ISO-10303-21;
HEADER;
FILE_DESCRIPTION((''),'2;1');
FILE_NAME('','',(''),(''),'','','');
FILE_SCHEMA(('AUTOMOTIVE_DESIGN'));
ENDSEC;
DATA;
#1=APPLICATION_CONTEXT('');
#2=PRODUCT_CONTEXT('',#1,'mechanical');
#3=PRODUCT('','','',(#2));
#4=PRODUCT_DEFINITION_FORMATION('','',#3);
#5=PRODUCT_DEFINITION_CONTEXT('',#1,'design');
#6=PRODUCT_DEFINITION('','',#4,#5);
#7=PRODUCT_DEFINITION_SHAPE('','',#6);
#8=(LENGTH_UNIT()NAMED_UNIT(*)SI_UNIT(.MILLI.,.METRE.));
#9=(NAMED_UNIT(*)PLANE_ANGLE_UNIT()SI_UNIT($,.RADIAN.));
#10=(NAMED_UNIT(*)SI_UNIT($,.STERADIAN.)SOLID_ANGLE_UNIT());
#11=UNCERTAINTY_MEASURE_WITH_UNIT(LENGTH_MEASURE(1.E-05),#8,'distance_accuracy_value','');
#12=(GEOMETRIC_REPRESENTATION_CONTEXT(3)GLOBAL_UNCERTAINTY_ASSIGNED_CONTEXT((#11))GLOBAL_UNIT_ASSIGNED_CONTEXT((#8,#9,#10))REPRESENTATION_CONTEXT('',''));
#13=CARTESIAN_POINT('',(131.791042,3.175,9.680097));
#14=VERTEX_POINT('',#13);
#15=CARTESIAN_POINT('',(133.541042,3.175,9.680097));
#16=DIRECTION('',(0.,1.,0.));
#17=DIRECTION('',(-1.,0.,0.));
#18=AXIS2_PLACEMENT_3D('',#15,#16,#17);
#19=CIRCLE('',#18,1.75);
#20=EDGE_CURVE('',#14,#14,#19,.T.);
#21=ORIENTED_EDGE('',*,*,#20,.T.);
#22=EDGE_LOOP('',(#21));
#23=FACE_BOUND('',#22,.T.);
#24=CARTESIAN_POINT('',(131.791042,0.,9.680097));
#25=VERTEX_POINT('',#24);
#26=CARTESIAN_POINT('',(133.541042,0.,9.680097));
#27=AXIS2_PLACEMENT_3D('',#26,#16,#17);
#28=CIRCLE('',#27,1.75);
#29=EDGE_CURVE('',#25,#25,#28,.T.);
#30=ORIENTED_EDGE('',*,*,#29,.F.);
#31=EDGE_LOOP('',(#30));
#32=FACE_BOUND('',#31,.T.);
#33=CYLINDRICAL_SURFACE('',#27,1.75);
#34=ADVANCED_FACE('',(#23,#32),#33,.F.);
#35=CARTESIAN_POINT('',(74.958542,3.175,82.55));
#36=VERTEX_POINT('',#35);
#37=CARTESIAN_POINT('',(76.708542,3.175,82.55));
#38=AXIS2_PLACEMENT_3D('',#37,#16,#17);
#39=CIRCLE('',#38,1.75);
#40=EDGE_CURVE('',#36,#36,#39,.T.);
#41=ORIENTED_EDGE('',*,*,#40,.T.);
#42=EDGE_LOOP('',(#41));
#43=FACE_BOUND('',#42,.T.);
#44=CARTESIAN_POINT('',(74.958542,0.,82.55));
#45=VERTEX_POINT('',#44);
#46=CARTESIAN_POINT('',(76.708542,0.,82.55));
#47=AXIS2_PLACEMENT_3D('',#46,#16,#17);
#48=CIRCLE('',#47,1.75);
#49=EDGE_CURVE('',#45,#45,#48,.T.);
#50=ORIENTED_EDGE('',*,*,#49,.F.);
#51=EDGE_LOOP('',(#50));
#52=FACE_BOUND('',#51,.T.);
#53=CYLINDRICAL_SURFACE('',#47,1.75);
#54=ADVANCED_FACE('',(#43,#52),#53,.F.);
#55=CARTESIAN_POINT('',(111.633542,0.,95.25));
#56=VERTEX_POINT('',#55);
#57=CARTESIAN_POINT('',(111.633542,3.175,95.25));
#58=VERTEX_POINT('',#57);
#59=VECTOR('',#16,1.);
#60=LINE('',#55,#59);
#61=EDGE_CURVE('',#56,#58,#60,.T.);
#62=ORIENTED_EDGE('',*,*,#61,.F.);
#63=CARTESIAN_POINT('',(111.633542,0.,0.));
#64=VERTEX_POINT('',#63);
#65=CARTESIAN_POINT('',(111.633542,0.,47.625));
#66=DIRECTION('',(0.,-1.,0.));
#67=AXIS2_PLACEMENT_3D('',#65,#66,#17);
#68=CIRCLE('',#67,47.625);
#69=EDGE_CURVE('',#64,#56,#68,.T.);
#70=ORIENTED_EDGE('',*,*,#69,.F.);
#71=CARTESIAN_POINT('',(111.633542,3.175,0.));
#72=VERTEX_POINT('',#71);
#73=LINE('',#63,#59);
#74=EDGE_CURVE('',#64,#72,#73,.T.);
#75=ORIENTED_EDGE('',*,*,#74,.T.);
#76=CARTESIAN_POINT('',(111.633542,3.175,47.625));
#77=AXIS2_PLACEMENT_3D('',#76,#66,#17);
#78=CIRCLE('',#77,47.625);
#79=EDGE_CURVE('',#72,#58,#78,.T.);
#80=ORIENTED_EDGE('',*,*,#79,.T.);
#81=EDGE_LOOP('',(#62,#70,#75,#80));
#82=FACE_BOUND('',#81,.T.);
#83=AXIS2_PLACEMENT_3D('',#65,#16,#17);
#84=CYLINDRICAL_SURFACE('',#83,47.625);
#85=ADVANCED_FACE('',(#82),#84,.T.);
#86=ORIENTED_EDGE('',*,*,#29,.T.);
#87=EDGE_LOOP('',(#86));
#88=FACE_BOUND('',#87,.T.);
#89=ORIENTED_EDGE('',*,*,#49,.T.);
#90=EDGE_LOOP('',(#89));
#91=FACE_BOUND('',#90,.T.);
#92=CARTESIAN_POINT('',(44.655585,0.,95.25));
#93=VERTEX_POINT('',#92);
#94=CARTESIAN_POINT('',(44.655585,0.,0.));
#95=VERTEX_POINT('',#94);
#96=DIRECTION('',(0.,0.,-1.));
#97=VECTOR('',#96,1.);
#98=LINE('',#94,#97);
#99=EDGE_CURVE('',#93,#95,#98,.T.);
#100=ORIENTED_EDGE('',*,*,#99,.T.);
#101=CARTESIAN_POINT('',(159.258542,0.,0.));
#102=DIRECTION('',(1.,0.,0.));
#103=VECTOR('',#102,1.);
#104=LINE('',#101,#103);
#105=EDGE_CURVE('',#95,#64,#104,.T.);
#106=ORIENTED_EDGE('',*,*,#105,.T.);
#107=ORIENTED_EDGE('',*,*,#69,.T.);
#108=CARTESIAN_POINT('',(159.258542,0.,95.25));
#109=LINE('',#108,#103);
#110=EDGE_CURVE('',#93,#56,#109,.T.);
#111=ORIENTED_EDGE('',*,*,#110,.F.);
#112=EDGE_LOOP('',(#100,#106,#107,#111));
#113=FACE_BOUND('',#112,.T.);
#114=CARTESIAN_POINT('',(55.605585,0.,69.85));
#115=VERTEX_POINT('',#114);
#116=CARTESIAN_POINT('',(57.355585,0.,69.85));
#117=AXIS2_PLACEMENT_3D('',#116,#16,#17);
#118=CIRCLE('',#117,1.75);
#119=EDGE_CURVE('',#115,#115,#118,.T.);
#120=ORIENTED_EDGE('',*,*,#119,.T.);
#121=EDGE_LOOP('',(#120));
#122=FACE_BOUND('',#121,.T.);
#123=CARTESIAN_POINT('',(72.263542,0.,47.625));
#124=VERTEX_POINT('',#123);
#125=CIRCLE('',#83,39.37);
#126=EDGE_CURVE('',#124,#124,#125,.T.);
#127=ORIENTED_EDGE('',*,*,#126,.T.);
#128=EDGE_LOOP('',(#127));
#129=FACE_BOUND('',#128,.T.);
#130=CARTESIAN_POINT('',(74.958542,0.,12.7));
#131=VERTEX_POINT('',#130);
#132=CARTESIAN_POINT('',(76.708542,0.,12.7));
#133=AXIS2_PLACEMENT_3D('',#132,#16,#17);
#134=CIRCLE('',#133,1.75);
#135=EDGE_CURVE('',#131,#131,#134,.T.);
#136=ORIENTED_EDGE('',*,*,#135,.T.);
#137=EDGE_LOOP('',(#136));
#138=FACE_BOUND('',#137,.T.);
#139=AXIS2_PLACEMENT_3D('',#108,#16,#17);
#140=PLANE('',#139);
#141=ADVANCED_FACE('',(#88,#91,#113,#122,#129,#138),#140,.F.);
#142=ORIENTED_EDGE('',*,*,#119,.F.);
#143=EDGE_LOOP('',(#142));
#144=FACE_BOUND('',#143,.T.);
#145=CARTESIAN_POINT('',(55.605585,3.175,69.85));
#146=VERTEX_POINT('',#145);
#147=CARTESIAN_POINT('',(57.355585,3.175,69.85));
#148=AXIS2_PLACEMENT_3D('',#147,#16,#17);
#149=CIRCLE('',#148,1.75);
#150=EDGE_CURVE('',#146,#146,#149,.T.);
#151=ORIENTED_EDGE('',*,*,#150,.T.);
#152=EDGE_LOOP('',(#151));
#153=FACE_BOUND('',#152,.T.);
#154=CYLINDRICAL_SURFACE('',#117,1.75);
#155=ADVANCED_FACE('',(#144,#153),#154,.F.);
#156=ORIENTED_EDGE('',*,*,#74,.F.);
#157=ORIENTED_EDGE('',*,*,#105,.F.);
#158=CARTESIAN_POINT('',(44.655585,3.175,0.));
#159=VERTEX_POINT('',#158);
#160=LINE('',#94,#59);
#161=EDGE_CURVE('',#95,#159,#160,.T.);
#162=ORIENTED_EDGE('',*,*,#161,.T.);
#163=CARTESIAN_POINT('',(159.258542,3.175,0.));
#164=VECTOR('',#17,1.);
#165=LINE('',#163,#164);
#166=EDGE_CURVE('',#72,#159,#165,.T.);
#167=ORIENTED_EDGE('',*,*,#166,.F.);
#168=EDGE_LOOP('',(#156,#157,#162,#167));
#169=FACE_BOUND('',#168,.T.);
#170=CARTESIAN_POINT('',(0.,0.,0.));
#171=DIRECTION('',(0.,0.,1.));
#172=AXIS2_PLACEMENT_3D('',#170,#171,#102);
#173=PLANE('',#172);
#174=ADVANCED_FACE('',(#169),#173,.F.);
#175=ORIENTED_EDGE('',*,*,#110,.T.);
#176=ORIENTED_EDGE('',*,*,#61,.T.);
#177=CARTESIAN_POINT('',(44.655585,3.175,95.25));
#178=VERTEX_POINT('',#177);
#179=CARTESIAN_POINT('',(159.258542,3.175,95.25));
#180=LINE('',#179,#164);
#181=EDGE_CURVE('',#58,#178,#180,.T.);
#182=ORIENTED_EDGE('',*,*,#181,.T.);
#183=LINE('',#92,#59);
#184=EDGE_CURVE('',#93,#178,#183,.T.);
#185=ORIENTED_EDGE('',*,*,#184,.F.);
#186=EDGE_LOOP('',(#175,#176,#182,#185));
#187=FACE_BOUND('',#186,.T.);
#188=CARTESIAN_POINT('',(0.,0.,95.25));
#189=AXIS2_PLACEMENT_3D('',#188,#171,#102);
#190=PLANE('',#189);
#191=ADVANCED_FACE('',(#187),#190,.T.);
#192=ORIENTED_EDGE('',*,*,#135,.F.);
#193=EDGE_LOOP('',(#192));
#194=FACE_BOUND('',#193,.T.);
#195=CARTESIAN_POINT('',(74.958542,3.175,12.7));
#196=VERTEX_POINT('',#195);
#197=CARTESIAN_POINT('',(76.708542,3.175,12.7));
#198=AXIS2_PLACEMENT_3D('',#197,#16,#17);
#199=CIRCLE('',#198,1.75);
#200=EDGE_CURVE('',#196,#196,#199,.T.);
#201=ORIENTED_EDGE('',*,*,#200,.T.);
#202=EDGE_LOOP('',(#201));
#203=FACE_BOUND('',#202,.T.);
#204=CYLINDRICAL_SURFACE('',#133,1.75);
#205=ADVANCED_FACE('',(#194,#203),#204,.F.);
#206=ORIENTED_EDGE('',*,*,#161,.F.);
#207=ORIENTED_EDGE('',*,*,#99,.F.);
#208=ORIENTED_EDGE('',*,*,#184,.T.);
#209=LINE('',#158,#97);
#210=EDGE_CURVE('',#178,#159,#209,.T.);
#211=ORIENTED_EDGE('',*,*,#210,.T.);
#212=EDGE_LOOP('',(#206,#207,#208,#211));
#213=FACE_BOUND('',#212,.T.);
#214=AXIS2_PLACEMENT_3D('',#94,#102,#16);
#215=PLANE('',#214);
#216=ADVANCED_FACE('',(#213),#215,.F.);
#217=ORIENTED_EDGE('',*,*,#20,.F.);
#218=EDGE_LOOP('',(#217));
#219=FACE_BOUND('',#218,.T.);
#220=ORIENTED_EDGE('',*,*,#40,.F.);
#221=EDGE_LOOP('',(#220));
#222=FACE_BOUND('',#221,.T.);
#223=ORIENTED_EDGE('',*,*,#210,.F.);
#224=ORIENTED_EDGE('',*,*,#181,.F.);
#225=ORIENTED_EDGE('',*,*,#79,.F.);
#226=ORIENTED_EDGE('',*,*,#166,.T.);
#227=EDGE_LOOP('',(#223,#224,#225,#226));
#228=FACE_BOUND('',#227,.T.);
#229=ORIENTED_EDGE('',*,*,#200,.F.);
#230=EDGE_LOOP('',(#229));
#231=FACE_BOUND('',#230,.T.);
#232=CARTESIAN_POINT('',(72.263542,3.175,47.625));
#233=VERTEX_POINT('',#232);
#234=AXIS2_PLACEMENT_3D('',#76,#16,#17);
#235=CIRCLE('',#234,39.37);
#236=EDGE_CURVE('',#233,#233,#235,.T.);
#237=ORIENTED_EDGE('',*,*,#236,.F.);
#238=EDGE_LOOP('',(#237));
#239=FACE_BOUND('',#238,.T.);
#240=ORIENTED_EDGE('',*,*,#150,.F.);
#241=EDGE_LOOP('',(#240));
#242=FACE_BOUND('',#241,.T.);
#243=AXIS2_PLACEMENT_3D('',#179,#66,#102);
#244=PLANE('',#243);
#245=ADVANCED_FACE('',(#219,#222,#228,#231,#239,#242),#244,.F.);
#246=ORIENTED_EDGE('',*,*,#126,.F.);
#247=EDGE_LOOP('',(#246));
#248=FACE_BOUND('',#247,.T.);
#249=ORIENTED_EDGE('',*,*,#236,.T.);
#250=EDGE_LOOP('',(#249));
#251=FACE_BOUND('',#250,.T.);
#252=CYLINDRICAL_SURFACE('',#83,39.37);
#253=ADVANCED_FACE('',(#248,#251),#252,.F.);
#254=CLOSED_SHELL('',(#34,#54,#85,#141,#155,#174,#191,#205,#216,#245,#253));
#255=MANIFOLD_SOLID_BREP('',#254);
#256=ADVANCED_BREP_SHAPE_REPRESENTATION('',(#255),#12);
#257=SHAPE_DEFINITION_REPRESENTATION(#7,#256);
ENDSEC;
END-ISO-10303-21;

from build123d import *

# Parameters (mm, degrees)
SKETCH2_W           = 120.952956328
SKETCH2_H           = 3.175
BOSS_EXTRUDE1_DEPTH = 95.25
SKETCH3_R           = 39.37
CUT_EXTRUDE2_DEPTH  = 4.175
CUT_EXTRUDE3_DEPTH  = 4.175
SKETCH8_R           = 1.75
CUT_EXTRUDE7_DEPTH  = 4.175
SKETCH10_R          = 1.75
CUT_EXTRUDE9_DEPTH  = 4.175
SKETCH11_W          = 6.35
SKETCH11_H          = 95.25
CUT_EXTRUDE10_DEPTH = 4.175
SKETCH12_R          = 1.75
CUT_EXTRUDE11_DEPTH = 4.175


with BuildPart() as part:
    # Sketch2 → Boss-Extrude1 (new body)
    with BuildSketch(Plane.XY):
        with Locations((98.782063621, 1.5875)):
            Rectangle(SKETCH2_W, SKETCH2_H)
    extrude(amount=BOSS_EXTRUDE1_DEPTH)

    # Sketch3 → Cut-Extrude2 (cut, through all)
    with BuildSketch(Plane(origin=(0, 3.175, 0), x_dir=(1, 0, 0), z_dir=(0, 1, 0))):
        with Locations((111.633541785, -47.625)):
            Circle(SKETCH3_R)
    extrude(amount=-CUT_EXTRUDE2_DEPTH, mode=Mode.SUBTRACT)

    # Sketch4 → Cut-Extrude3 (cut, through all)
    with BuildSketch(Plane(origin=(0, 3.175, 0), x_dir=(1, 0, 0), z_dir=(0, 1, 0))):
        with BuildLine():
            Line((111.633541785, -95.25), (179.051442703, -95.25))
            Line((179.051442703, -95.25), (179.051442703, 0))
            Line((179.051442703, 0), (111.633541785, 0))
            ThreePointArc((111.633541785, 0), (159.258541785, -47.625), (111.633541785, -95.25))
        make_face()
    extrude(amount=-CUT_EXTRUDE3_DEPTH, mode=Mode.SUBTRACT)

    # Sketch8 → Cut-Extrude7 (cut, through all)
    with BuildSketch(Plane(origin=(0, 3.175, 0), x_dir=(1, 0, 0), z_dir=(0, 1, 0))):
        with Locations((76.708541785, -12.7)):
            Circle(SKETCH8_R)
        with Locations((76.708541785, -82.55)):
            Circle(SKETCH8_R)
    extrude(amount=-CUT_EXTRUDE7_DEPTH, mode=Mode.SUBTRACT)

    # Sketch10 → Cut-Extrude9 (cut, through all)
    with BuildSketch(Plane(origin=(0, 3.175, 0), x_dir=(1, 0, 0), z_dir=(0, 1, 0))):
        with Locations((133.541041785, -9.680096933)):
            Circle(SKETCH10_R)
    extrude(amount=-CUT_EXTRUDE9_DEPTH, mode=Mode.SUBTRACT)

    # Sketch11 → Cut-Extrude10 (cut, through all)
    with BuildSketch(Plane(origin=(0, 3.175, 0), x_dir=(1, 0, 0), z_dir=(0, 1, 0))):
        with Locations((41.480585457, -47.625)):
            Rectangle(SKETCH11_W, SKETCH11_H)
    extrude(amount=-CUT_EXTRUDE10_DEPTH, mode=Mode.SUBTRACT)

    # Sketch12 → Cut-Extrude11 (cut, through all)
    with BuildSketch(Plane(origin=(0, 3.175, 0), x_dir=(1, 0, 0), z_dir=(0, 1, 0))):
        with Locations((57.355585457, -69.85)):
            Circle(SKETCH12_R)
    extrude(amount=-CUT_EXTRUDE11_DEPTH, mode=Mode.SUBTRACT)


solid = part.part
